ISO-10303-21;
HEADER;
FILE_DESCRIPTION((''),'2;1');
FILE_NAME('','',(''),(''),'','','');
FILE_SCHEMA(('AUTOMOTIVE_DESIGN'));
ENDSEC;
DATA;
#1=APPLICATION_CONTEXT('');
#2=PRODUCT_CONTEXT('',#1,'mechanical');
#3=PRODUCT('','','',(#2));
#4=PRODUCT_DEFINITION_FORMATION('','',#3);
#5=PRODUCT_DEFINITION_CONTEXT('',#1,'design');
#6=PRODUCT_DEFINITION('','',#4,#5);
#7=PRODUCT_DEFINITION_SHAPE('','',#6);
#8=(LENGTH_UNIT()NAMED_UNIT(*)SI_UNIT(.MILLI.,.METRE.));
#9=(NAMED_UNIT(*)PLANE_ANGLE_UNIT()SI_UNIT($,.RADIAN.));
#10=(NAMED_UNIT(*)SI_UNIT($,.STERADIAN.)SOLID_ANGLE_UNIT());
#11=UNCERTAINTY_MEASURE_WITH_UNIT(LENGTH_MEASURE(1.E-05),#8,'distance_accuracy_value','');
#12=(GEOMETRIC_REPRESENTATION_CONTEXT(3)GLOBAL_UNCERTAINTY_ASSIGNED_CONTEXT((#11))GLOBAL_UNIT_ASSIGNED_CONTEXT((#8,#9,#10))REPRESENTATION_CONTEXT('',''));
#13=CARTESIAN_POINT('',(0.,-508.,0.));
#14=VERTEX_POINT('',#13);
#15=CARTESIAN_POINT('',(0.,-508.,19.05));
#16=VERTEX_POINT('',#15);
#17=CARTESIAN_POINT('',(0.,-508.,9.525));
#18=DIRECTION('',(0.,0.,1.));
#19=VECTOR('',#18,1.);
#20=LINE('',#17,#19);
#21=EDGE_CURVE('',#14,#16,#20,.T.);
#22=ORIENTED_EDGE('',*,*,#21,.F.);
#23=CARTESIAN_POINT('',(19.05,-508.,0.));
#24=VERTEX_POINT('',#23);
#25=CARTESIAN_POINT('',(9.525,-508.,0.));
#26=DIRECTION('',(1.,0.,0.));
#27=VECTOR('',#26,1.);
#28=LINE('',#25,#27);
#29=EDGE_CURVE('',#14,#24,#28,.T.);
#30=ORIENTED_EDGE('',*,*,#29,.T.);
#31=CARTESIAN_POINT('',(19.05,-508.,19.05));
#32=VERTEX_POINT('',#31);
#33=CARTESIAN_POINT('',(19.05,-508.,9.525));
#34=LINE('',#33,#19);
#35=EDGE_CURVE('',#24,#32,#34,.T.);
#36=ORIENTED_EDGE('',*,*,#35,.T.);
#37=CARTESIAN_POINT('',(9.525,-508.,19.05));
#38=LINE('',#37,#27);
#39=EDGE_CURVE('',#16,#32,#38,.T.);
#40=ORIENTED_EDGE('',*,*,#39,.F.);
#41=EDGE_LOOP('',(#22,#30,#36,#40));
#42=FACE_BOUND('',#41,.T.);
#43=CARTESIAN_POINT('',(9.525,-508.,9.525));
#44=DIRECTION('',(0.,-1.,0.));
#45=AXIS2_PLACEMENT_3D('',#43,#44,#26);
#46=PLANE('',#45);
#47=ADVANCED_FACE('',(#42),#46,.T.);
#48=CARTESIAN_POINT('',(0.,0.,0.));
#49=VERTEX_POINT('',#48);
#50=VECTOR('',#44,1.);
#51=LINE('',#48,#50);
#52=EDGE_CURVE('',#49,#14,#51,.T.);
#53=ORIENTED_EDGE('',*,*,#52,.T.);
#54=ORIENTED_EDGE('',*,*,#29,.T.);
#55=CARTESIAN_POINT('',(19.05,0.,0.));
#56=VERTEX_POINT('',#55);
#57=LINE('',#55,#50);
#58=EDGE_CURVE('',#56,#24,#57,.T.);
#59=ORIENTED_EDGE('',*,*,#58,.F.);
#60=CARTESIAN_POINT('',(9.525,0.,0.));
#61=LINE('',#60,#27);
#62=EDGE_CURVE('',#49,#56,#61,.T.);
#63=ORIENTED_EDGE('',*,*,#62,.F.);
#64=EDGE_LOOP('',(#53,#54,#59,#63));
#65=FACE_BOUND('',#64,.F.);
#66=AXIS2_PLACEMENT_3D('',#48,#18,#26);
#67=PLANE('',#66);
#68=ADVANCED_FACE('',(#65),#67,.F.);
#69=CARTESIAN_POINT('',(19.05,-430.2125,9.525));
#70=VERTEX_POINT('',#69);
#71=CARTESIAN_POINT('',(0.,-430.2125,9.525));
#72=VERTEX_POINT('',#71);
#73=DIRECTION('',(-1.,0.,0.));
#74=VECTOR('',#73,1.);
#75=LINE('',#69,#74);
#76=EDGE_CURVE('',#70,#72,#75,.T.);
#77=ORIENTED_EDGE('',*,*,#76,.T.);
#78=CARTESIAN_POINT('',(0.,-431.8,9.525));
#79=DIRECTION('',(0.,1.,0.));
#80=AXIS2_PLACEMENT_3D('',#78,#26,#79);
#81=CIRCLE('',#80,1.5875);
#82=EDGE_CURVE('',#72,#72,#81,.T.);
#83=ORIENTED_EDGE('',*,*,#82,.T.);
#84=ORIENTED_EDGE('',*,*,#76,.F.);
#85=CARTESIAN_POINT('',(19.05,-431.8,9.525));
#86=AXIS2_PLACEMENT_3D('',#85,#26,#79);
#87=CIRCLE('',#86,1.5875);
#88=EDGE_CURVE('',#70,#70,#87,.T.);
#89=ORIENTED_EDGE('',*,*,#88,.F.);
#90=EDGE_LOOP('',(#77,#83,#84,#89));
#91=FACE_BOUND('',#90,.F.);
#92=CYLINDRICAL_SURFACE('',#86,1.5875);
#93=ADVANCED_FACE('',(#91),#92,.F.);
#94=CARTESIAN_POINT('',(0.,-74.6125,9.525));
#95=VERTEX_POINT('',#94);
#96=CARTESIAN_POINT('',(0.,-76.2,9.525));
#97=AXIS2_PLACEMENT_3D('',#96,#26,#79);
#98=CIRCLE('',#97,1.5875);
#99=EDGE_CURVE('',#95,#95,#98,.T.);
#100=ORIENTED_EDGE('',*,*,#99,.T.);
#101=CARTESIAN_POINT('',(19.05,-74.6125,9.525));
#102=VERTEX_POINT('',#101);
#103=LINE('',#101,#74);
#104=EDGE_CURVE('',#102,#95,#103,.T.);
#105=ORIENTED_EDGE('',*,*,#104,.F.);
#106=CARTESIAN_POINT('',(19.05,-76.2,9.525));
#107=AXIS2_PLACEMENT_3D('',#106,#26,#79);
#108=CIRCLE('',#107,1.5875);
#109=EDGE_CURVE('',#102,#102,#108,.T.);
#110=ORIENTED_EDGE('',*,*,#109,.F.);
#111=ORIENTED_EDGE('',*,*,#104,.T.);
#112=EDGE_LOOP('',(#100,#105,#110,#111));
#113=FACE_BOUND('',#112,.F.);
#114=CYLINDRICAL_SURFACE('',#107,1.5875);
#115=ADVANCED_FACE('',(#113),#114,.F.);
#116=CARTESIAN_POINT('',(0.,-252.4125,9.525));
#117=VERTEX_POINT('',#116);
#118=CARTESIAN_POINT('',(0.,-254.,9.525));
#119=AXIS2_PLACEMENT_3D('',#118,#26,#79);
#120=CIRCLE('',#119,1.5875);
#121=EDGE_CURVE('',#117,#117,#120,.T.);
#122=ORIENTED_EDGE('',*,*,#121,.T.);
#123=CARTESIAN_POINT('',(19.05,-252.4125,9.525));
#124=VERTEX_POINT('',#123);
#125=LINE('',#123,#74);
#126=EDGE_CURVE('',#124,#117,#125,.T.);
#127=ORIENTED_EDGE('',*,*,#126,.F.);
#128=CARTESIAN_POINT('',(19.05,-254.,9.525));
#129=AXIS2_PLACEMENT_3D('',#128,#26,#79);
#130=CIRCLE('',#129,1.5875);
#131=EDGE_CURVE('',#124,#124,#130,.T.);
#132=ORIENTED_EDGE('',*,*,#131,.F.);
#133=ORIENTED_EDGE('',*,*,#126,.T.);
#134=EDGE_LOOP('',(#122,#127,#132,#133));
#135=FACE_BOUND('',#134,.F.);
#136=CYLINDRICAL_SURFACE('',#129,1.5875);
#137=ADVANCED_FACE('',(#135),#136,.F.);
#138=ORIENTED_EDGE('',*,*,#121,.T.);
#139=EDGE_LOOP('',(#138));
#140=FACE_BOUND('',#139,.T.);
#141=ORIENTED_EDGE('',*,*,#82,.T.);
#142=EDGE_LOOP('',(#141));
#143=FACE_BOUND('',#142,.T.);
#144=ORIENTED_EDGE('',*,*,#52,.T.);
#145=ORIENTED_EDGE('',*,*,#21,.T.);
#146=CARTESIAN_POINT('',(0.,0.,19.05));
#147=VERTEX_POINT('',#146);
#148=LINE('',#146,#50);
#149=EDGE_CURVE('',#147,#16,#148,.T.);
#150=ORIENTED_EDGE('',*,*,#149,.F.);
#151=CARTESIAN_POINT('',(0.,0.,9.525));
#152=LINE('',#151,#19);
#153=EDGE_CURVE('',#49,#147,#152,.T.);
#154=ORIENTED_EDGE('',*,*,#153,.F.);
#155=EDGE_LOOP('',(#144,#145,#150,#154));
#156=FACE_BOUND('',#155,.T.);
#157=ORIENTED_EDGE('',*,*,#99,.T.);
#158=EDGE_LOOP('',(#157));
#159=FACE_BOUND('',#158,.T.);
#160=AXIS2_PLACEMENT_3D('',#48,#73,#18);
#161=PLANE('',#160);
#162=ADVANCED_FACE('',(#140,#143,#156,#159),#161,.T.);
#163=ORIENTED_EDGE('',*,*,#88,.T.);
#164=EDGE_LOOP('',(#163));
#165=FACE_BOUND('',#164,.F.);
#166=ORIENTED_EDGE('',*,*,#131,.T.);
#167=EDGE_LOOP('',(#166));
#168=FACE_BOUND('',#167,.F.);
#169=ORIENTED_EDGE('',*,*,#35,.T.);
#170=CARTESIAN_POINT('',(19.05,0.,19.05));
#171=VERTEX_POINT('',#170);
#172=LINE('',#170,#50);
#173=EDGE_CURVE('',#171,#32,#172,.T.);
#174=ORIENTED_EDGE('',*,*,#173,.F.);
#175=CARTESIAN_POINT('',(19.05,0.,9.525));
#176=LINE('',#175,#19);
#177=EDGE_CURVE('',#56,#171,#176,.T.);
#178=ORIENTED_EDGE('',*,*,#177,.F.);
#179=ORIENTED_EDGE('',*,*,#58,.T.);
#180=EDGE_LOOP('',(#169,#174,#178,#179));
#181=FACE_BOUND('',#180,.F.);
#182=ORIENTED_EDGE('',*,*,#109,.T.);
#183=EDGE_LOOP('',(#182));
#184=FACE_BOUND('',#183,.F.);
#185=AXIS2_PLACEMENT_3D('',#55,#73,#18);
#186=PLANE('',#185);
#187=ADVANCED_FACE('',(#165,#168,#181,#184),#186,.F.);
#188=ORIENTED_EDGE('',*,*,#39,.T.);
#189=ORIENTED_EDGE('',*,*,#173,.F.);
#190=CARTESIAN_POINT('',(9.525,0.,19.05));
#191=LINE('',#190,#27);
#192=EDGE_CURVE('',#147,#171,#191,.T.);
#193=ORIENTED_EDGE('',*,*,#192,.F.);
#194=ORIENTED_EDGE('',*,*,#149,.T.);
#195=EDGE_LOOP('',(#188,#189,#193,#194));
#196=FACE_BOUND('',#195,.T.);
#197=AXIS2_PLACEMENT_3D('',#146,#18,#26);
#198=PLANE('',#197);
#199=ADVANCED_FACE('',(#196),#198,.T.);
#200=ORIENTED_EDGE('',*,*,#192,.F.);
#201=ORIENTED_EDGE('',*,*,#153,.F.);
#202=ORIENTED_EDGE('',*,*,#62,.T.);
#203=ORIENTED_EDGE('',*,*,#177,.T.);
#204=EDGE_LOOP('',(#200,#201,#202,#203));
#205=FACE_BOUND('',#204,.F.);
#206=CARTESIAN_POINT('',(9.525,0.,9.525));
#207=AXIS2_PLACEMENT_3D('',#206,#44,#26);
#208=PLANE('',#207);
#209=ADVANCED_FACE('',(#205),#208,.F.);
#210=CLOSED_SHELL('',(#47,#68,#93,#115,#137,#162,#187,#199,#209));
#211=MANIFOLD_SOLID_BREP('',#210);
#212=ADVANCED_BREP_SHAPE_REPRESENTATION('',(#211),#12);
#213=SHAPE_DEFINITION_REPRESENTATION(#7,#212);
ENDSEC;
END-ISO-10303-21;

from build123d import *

# Parameters (mm, degrees)
F0_W     = 19.05
F0_H     = 19.05
F1_DEPTH = 508
F2_R     = 1.5875
F3_DEPTH = 25.4


with BuildPart() as f1:
    # F0 (on Front) → F1 (new body)
    with BuildSketch(Plane.XZ):
        with Locations((9.525, 9.525)):
            Rectangle(F0_W, F0_H)
    extrude(amount=F1_DEPTH)

    # F2 (on face) → F3 (cut)
    with BuildSketch(Plane.YZ.offset(19.05)):
        with Locations((-254, 9.525)):
            Circle(F2_R)
        with Locations((-76.2, 9.525)):
            Circle(F2_R)
        with Locations((-431.8, 9.525)):
            Circle(F2_R)
    extrude(amount=-F3_DEPTH, mode=Mode.SUBTRACT)


solid = f1.part
